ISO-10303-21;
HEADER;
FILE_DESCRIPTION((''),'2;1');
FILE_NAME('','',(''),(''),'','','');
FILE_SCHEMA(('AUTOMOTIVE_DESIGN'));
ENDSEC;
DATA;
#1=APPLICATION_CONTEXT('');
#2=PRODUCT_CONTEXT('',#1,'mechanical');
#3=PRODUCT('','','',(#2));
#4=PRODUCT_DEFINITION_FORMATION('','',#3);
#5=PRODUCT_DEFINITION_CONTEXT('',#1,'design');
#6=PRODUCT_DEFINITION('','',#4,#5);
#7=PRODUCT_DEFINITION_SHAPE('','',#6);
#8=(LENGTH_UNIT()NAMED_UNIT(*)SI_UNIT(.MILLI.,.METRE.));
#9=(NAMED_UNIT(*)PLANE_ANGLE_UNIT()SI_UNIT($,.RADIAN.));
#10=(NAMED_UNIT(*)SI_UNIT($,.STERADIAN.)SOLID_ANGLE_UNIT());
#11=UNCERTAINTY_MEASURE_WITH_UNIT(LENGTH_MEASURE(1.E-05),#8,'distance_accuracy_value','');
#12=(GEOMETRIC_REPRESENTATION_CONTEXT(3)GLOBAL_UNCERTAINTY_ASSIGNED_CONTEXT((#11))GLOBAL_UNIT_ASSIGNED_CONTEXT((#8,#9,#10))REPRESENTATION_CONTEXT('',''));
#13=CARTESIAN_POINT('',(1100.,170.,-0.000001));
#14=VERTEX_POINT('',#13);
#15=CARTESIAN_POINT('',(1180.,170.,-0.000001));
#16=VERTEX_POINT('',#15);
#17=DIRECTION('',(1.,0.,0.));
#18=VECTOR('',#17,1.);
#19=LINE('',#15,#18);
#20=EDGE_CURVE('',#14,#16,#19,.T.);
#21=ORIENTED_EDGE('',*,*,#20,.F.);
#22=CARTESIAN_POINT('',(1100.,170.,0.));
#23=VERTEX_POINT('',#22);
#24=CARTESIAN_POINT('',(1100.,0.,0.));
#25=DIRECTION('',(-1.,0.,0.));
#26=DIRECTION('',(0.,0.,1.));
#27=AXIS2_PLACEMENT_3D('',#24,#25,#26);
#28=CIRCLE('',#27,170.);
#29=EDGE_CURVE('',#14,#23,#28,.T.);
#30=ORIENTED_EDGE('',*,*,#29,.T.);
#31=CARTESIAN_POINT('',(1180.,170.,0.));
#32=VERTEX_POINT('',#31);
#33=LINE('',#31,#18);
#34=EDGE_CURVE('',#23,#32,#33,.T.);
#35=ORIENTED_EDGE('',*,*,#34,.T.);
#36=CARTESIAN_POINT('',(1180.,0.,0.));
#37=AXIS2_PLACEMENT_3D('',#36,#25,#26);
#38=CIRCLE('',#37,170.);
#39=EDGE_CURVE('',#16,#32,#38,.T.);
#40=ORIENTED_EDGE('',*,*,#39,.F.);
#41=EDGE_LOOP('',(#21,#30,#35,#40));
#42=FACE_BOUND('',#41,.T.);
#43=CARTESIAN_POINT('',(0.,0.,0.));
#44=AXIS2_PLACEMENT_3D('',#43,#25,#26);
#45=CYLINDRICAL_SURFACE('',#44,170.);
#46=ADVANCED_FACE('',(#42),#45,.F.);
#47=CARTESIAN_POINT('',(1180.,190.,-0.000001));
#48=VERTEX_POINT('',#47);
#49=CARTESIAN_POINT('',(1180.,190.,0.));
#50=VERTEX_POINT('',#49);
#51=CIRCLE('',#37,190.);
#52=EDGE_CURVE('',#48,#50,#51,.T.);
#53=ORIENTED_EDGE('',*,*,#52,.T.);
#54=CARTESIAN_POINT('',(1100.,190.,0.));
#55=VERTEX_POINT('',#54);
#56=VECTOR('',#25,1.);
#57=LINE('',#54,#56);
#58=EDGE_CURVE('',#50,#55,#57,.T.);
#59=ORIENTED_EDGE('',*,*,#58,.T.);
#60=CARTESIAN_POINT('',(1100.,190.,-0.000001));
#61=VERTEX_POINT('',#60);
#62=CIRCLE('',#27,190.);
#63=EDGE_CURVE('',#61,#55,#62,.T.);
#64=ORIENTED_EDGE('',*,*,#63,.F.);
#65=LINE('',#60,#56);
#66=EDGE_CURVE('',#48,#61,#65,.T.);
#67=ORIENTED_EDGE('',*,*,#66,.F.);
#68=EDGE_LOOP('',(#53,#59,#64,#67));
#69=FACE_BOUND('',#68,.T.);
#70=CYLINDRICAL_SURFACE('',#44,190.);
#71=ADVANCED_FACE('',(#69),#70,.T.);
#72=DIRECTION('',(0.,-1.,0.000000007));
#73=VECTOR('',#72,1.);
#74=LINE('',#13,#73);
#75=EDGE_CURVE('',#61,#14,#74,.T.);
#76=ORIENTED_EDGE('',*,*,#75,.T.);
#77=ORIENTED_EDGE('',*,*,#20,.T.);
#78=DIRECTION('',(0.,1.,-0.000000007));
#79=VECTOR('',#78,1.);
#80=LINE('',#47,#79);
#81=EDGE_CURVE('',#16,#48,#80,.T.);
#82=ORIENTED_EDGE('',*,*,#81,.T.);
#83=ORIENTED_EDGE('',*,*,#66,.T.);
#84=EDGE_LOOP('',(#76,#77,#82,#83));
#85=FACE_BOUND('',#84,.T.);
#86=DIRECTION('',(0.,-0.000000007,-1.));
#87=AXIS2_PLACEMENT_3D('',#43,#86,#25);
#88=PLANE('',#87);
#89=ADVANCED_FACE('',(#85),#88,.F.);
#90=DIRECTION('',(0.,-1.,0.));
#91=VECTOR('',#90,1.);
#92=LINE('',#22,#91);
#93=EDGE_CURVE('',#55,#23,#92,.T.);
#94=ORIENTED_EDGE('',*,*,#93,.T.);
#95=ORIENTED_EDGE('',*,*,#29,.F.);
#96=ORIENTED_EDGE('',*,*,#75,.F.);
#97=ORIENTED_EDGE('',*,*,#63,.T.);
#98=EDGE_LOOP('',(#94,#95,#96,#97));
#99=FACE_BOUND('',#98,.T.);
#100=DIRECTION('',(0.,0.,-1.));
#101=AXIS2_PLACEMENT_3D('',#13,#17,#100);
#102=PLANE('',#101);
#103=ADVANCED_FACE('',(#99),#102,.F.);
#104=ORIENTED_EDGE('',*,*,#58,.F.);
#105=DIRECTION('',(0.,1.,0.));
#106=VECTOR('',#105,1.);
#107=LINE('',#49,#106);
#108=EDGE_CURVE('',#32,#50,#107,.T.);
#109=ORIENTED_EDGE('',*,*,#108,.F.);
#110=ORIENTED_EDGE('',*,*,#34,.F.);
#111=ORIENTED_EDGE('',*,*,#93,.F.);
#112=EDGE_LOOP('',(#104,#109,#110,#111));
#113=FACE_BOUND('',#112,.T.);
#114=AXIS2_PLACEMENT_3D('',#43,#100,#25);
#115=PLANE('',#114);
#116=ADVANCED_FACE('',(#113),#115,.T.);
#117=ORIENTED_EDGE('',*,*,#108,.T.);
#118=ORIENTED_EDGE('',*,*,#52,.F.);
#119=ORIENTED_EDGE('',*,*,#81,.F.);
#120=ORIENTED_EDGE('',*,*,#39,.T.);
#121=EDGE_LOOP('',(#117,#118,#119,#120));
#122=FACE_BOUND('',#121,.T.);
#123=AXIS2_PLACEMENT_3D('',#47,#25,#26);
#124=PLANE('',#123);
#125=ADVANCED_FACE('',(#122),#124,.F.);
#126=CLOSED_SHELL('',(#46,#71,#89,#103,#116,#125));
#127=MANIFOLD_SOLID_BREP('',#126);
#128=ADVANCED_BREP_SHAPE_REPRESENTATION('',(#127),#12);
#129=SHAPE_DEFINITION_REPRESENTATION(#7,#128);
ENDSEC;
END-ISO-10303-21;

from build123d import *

# Parameters (mm, degrees)
SKETCH1_W      = 80
SKETCH1_H      = 20
REVOLVE1_ANGLE = 359.999999589


with BuildPart() as part:
    # Sketch1 → Revolve1 (revolve)
    with BuildSketch(Plane.XY):
        with Locations((1140, 180)):
            Rectangle(SKETCH1_W, SKETCH1_H)
    revolve(axis=Axis((0, 0, 0), (1, 0, 0)), revolution_arc=REVOLVE1_ANGLE)


solid = part.part
